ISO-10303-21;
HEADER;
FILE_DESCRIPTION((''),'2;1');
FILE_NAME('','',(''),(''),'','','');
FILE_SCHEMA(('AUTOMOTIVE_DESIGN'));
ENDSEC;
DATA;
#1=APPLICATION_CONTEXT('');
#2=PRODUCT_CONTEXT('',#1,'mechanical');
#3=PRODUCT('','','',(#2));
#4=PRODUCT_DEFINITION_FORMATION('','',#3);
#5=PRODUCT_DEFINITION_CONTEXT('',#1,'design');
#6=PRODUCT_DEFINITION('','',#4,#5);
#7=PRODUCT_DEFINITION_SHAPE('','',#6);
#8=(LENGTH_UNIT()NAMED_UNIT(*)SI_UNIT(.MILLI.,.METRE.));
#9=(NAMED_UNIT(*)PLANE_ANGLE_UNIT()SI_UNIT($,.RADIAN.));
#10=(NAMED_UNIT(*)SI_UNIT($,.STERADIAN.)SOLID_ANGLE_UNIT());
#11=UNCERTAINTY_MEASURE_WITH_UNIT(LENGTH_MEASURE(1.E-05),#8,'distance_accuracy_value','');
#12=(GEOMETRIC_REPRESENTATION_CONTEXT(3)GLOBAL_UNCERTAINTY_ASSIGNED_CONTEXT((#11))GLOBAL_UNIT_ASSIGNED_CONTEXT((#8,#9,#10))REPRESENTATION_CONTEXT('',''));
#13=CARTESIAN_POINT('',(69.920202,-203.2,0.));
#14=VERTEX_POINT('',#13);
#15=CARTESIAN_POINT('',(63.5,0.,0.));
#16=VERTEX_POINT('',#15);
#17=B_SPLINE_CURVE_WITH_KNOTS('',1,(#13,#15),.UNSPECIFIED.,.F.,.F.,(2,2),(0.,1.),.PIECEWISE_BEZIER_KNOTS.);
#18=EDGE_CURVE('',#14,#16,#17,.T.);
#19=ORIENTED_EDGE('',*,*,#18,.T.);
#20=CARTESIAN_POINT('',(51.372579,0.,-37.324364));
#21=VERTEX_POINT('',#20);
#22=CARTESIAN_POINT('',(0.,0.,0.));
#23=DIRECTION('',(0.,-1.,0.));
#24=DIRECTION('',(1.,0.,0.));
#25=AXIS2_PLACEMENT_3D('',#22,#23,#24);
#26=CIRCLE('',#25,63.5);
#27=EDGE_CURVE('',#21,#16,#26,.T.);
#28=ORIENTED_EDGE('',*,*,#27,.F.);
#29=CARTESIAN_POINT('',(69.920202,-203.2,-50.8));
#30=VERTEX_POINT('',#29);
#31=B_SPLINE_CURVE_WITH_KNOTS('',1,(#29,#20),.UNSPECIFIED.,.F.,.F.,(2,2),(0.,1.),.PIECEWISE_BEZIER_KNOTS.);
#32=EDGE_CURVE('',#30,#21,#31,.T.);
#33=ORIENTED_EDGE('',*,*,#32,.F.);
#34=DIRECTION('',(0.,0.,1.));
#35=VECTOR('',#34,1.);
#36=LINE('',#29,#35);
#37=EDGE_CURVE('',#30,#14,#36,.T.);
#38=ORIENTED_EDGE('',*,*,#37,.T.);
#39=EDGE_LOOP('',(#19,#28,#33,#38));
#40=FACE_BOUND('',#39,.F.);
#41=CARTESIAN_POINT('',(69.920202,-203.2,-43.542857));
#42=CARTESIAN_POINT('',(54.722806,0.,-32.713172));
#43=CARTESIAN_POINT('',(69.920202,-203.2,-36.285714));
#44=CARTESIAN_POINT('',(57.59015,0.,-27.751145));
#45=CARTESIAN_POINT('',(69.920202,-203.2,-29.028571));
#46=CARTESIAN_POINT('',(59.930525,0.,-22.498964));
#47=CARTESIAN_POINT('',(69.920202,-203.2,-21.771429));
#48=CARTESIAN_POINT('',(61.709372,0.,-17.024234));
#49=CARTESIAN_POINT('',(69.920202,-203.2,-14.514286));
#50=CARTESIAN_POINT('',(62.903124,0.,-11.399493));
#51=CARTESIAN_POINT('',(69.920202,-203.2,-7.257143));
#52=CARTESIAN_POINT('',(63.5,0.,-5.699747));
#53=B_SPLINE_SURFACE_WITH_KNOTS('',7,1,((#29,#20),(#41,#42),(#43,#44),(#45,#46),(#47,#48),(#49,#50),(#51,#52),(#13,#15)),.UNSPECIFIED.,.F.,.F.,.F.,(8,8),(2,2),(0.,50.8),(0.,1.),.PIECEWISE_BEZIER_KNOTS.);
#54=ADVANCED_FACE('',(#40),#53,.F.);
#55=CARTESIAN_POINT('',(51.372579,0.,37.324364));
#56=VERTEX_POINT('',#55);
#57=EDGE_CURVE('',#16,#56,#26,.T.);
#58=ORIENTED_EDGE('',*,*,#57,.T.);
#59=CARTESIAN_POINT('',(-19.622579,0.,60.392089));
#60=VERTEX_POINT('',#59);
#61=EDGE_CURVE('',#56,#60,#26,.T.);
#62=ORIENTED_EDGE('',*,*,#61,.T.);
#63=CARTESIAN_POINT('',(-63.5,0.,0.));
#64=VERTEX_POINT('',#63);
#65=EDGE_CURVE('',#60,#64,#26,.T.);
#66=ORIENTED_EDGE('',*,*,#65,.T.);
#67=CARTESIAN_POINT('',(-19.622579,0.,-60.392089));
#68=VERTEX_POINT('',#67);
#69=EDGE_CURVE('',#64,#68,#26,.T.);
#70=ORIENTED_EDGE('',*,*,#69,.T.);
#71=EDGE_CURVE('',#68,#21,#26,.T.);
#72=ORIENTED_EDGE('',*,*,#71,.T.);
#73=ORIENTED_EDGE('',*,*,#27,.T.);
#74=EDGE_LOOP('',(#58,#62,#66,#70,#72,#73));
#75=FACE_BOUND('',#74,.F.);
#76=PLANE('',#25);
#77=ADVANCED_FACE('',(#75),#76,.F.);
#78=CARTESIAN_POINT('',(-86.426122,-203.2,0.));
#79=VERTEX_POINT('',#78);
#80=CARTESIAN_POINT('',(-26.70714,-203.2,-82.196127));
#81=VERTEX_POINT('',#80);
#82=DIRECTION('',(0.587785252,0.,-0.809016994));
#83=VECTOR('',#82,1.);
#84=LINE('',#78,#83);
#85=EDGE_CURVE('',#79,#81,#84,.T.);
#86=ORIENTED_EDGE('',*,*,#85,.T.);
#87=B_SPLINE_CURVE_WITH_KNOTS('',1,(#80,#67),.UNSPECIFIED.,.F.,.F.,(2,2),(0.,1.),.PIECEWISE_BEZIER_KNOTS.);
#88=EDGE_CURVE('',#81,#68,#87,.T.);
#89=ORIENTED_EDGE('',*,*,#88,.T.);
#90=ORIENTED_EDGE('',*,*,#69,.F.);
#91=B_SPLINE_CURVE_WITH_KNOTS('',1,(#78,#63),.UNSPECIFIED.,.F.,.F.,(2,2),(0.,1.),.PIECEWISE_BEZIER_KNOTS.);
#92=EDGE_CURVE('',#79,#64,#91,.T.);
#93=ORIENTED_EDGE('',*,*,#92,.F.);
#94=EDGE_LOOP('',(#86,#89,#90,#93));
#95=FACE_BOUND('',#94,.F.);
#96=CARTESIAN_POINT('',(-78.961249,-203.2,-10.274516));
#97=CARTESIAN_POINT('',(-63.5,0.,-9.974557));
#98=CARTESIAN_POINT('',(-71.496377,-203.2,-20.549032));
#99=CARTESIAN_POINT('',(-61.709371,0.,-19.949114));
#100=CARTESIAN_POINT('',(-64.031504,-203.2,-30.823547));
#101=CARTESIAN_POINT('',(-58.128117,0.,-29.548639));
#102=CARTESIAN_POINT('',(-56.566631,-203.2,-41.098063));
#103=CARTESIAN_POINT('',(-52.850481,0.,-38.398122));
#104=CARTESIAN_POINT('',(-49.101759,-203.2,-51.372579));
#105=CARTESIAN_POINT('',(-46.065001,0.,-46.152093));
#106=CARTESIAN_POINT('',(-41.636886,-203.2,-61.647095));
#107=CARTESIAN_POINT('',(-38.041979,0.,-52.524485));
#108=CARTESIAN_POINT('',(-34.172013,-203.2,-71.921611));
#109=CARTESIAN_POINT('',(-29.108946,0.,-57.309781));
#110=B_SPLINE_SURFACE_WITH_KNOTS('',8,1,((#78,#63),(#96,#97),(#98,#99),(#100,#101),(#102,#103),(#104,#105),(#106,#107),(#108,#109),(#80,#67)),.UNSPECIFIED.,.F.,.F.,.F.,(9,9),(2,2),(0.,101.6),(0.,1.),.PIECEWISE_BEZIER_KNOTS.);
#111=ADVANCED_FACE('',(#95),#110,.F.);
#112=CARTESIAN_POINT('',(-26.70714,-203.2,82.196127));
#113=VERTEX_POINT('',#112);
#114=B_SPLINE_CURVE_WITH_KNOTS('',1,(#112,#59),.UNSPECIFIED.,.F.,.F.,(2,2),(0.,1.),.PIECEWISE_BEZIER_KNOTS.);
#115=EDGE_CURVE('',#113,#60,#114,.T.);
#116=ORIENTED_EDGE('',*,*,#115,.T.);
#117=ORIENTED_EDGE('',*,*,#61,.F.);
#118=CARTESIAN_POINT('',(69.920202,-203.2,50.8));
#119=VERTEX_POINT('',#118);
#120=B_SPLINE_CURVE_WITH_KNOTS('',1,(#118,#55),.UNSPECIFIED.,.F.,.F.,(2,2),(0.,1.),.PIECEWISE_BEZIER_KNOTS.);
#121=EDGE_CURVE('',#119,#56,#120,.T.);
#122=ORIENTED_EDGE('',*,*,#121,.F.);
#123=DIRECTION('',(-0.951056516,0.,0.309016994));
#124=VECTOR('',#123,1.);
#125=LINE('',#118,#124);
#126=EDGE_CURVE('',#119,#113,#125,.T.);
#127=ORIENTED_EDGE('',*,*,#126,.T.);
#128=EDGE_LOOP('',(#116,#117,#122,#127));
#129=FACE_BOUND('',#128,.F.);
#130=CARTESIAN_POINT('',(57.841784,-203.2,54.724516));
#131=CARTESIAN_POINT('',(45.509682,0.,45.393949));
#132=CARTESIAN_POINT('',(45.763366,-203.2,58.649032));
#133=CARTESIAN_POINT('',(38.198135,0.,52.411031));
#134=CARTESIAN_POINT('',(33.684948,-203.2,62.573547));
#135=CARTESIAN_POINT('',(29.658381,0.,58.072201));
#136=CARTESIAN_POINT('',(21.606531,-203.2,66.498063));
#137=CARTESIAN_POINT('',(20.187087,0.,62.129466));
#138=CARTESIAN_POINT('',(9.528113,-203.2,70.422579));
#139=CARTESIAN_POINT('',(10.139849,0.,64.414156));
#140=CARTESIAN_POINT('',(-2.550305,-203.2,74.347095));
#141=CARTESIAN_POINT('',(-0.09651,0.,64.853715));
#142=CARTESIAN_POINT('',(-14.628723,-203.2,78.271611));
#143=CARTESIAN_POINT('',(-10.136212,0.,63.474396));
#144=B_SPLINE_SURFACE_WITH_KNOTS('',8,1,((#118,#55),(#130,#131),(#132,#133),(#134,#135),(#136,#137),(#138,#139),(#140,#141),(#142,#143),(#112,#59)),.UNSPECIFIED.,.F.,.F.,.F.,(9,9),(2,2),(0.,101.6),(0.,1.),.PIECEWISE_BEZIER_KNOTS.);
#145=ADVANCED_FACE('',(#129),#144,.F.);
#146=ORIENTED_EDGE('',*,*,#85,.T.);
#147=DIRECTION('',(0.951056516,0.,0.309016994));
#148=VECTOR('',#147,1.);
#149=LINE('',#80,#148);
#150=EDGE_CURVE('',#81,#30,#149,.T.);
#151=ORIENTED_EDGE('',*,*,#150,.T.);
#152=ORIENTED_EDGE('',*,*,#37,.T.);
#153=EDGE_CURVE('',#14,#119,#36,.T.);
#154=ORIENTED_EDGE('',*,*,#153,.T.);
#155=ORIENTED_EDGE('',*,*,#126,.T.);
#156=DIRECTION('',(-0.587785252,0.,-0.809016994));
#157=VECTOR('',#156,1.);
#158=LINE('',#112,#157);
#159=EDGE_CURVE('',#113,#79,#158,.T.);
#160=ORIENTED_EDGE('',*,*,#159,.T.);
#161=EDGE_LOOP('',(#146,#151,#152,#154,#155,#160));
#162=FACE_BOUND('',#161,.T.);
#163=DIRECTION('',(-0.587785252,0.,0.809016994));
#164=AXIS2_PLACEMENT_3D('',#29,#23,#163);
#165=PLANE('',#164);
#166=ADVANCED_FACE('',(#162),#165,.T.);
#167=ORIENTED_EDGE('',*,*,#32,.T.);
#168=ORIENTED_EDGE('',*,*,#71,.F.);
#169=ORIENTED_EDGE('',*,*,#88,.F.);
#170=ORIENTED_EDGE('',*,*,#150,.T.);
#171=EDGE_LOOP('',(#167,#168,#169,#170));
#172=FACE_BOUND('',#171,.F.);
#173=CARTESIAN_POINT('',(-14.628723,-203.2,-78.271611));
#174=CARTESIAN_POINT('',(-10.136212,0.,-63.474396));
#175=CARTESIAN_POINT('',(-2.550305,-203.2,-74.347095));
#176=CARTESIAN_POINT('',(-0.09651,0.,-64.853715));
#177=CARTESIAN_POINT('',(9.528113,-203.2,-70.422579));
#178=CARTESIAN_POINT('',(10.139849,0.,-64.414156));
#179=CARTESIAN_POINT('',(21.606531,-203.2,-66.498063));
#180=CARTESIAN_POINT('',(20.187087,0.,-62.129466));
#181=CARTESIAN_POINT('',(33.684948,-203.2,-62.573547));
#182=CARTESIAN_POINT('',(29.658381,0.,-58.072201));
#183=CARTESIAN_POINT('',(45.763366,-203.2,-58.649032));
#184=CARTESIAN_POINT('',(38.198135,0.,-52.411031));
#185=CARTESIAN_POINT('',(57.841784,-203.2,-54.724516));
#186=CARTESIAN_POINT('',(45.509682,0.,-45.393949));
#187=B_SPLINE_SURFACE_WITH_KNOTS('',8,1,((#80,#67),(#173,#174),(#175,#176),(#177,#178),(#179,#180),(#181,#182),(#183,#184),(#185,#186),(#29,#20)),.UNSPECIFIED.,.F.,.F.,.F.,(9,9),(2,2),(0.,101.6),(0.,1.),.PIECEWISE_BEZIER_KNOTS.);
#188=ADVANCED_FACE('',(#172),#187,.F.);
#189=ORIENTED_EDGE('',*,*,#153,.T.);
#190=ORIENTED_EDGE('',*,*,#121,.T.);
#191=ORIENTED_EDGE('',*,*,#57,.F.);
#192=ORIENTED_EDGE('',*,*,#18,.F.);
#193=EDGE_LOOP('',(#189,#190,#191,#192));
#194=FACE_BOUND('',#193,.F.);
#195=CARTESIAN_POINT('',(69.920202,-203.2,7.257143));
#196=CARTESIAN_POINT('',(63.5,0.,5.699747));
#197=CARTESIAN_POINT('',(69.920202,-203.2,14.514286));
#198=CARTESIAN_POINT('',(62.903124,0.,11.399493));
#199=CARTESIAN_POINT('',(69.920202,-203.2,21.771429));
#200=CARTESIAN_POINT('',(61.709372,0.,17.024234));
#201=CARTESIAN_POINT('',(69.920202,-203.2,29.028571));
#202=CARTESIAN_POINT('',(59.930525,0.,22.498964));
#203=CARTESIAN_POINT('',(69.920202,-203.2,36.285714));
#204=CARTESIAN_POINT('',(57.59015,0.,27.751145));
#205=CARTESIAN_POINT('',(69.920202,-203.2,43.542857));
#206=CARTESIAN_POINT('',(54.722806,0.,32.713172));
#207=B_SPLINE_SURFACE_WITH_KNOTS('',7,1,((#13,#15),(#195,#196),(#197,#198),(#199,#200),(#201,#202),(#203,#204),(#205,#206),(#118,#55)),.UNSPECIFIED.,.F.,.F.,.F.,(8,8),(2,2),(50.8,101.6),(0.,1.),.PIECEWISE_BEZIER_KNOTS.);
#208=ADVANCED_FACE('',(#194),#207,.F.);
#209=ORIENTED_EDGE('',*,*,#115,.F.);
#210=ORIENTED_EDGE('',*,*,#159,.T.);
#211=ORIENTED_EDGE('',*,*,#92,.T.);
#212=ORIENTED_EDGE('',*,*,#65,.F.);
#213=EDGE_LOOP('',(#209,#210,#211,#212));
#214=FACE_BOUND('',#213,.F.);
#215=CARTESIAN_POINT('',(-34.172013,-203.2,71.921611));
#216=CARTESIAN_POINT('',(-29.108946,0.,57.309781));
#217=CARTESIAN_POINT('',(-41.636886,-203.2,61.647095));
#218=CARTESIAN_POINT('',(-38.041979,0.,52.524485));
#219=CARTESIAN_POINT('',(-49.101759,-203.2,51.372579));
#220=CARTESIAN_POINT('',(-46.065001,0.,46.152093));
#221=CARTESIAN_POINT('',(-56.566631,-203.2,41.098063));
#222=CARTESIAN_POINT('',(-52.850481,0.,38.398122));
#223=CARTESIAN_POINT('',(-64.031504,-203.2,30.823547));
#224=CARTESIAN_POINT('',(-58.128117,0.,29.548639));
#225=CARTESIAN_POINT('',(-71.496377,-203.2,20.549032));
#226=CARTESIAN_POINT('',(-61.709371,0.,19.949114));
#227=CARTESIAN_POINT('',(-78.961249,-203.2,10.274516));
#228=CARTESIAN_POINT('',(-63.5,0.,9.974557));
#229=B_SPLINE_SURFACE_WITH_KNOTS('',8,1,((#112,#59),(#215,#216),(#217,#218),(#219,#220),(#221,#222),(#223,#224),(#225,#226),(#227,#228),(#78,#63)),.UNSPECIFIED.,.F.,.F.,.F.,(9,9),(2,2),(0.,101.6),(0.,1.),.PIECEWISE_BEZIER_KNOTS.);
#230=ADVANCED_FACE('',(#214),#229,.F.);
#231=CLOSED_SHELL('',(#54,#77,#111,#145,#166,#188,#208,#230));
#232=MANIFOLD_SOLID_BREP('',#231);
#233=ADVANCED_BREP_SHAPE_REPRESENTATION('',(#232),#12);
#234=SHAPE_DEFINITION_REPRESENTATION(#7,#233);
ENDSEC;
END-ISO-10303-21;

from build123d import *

# Parameters (mm, degrees)
F0_R = 63.5


with BuildPart() as f3:
    # F2 (on offset) → F3 section 0
    with BuildSketch(Plane.XZ.offset(203.2)):
        Polygon((69.9202015599, -50.8), (69.9202015599, 50.8), (-26.7071404957, 82.1961266285), (-86.4261221286, 0), (-26.7071404957, -82.1961266285), align=None)
    # F0 (on Front) → F3 section 1
    with BuildSketch(Plane.XZ):
        Circle(F0_R)
    loft()


solid = f3.part
